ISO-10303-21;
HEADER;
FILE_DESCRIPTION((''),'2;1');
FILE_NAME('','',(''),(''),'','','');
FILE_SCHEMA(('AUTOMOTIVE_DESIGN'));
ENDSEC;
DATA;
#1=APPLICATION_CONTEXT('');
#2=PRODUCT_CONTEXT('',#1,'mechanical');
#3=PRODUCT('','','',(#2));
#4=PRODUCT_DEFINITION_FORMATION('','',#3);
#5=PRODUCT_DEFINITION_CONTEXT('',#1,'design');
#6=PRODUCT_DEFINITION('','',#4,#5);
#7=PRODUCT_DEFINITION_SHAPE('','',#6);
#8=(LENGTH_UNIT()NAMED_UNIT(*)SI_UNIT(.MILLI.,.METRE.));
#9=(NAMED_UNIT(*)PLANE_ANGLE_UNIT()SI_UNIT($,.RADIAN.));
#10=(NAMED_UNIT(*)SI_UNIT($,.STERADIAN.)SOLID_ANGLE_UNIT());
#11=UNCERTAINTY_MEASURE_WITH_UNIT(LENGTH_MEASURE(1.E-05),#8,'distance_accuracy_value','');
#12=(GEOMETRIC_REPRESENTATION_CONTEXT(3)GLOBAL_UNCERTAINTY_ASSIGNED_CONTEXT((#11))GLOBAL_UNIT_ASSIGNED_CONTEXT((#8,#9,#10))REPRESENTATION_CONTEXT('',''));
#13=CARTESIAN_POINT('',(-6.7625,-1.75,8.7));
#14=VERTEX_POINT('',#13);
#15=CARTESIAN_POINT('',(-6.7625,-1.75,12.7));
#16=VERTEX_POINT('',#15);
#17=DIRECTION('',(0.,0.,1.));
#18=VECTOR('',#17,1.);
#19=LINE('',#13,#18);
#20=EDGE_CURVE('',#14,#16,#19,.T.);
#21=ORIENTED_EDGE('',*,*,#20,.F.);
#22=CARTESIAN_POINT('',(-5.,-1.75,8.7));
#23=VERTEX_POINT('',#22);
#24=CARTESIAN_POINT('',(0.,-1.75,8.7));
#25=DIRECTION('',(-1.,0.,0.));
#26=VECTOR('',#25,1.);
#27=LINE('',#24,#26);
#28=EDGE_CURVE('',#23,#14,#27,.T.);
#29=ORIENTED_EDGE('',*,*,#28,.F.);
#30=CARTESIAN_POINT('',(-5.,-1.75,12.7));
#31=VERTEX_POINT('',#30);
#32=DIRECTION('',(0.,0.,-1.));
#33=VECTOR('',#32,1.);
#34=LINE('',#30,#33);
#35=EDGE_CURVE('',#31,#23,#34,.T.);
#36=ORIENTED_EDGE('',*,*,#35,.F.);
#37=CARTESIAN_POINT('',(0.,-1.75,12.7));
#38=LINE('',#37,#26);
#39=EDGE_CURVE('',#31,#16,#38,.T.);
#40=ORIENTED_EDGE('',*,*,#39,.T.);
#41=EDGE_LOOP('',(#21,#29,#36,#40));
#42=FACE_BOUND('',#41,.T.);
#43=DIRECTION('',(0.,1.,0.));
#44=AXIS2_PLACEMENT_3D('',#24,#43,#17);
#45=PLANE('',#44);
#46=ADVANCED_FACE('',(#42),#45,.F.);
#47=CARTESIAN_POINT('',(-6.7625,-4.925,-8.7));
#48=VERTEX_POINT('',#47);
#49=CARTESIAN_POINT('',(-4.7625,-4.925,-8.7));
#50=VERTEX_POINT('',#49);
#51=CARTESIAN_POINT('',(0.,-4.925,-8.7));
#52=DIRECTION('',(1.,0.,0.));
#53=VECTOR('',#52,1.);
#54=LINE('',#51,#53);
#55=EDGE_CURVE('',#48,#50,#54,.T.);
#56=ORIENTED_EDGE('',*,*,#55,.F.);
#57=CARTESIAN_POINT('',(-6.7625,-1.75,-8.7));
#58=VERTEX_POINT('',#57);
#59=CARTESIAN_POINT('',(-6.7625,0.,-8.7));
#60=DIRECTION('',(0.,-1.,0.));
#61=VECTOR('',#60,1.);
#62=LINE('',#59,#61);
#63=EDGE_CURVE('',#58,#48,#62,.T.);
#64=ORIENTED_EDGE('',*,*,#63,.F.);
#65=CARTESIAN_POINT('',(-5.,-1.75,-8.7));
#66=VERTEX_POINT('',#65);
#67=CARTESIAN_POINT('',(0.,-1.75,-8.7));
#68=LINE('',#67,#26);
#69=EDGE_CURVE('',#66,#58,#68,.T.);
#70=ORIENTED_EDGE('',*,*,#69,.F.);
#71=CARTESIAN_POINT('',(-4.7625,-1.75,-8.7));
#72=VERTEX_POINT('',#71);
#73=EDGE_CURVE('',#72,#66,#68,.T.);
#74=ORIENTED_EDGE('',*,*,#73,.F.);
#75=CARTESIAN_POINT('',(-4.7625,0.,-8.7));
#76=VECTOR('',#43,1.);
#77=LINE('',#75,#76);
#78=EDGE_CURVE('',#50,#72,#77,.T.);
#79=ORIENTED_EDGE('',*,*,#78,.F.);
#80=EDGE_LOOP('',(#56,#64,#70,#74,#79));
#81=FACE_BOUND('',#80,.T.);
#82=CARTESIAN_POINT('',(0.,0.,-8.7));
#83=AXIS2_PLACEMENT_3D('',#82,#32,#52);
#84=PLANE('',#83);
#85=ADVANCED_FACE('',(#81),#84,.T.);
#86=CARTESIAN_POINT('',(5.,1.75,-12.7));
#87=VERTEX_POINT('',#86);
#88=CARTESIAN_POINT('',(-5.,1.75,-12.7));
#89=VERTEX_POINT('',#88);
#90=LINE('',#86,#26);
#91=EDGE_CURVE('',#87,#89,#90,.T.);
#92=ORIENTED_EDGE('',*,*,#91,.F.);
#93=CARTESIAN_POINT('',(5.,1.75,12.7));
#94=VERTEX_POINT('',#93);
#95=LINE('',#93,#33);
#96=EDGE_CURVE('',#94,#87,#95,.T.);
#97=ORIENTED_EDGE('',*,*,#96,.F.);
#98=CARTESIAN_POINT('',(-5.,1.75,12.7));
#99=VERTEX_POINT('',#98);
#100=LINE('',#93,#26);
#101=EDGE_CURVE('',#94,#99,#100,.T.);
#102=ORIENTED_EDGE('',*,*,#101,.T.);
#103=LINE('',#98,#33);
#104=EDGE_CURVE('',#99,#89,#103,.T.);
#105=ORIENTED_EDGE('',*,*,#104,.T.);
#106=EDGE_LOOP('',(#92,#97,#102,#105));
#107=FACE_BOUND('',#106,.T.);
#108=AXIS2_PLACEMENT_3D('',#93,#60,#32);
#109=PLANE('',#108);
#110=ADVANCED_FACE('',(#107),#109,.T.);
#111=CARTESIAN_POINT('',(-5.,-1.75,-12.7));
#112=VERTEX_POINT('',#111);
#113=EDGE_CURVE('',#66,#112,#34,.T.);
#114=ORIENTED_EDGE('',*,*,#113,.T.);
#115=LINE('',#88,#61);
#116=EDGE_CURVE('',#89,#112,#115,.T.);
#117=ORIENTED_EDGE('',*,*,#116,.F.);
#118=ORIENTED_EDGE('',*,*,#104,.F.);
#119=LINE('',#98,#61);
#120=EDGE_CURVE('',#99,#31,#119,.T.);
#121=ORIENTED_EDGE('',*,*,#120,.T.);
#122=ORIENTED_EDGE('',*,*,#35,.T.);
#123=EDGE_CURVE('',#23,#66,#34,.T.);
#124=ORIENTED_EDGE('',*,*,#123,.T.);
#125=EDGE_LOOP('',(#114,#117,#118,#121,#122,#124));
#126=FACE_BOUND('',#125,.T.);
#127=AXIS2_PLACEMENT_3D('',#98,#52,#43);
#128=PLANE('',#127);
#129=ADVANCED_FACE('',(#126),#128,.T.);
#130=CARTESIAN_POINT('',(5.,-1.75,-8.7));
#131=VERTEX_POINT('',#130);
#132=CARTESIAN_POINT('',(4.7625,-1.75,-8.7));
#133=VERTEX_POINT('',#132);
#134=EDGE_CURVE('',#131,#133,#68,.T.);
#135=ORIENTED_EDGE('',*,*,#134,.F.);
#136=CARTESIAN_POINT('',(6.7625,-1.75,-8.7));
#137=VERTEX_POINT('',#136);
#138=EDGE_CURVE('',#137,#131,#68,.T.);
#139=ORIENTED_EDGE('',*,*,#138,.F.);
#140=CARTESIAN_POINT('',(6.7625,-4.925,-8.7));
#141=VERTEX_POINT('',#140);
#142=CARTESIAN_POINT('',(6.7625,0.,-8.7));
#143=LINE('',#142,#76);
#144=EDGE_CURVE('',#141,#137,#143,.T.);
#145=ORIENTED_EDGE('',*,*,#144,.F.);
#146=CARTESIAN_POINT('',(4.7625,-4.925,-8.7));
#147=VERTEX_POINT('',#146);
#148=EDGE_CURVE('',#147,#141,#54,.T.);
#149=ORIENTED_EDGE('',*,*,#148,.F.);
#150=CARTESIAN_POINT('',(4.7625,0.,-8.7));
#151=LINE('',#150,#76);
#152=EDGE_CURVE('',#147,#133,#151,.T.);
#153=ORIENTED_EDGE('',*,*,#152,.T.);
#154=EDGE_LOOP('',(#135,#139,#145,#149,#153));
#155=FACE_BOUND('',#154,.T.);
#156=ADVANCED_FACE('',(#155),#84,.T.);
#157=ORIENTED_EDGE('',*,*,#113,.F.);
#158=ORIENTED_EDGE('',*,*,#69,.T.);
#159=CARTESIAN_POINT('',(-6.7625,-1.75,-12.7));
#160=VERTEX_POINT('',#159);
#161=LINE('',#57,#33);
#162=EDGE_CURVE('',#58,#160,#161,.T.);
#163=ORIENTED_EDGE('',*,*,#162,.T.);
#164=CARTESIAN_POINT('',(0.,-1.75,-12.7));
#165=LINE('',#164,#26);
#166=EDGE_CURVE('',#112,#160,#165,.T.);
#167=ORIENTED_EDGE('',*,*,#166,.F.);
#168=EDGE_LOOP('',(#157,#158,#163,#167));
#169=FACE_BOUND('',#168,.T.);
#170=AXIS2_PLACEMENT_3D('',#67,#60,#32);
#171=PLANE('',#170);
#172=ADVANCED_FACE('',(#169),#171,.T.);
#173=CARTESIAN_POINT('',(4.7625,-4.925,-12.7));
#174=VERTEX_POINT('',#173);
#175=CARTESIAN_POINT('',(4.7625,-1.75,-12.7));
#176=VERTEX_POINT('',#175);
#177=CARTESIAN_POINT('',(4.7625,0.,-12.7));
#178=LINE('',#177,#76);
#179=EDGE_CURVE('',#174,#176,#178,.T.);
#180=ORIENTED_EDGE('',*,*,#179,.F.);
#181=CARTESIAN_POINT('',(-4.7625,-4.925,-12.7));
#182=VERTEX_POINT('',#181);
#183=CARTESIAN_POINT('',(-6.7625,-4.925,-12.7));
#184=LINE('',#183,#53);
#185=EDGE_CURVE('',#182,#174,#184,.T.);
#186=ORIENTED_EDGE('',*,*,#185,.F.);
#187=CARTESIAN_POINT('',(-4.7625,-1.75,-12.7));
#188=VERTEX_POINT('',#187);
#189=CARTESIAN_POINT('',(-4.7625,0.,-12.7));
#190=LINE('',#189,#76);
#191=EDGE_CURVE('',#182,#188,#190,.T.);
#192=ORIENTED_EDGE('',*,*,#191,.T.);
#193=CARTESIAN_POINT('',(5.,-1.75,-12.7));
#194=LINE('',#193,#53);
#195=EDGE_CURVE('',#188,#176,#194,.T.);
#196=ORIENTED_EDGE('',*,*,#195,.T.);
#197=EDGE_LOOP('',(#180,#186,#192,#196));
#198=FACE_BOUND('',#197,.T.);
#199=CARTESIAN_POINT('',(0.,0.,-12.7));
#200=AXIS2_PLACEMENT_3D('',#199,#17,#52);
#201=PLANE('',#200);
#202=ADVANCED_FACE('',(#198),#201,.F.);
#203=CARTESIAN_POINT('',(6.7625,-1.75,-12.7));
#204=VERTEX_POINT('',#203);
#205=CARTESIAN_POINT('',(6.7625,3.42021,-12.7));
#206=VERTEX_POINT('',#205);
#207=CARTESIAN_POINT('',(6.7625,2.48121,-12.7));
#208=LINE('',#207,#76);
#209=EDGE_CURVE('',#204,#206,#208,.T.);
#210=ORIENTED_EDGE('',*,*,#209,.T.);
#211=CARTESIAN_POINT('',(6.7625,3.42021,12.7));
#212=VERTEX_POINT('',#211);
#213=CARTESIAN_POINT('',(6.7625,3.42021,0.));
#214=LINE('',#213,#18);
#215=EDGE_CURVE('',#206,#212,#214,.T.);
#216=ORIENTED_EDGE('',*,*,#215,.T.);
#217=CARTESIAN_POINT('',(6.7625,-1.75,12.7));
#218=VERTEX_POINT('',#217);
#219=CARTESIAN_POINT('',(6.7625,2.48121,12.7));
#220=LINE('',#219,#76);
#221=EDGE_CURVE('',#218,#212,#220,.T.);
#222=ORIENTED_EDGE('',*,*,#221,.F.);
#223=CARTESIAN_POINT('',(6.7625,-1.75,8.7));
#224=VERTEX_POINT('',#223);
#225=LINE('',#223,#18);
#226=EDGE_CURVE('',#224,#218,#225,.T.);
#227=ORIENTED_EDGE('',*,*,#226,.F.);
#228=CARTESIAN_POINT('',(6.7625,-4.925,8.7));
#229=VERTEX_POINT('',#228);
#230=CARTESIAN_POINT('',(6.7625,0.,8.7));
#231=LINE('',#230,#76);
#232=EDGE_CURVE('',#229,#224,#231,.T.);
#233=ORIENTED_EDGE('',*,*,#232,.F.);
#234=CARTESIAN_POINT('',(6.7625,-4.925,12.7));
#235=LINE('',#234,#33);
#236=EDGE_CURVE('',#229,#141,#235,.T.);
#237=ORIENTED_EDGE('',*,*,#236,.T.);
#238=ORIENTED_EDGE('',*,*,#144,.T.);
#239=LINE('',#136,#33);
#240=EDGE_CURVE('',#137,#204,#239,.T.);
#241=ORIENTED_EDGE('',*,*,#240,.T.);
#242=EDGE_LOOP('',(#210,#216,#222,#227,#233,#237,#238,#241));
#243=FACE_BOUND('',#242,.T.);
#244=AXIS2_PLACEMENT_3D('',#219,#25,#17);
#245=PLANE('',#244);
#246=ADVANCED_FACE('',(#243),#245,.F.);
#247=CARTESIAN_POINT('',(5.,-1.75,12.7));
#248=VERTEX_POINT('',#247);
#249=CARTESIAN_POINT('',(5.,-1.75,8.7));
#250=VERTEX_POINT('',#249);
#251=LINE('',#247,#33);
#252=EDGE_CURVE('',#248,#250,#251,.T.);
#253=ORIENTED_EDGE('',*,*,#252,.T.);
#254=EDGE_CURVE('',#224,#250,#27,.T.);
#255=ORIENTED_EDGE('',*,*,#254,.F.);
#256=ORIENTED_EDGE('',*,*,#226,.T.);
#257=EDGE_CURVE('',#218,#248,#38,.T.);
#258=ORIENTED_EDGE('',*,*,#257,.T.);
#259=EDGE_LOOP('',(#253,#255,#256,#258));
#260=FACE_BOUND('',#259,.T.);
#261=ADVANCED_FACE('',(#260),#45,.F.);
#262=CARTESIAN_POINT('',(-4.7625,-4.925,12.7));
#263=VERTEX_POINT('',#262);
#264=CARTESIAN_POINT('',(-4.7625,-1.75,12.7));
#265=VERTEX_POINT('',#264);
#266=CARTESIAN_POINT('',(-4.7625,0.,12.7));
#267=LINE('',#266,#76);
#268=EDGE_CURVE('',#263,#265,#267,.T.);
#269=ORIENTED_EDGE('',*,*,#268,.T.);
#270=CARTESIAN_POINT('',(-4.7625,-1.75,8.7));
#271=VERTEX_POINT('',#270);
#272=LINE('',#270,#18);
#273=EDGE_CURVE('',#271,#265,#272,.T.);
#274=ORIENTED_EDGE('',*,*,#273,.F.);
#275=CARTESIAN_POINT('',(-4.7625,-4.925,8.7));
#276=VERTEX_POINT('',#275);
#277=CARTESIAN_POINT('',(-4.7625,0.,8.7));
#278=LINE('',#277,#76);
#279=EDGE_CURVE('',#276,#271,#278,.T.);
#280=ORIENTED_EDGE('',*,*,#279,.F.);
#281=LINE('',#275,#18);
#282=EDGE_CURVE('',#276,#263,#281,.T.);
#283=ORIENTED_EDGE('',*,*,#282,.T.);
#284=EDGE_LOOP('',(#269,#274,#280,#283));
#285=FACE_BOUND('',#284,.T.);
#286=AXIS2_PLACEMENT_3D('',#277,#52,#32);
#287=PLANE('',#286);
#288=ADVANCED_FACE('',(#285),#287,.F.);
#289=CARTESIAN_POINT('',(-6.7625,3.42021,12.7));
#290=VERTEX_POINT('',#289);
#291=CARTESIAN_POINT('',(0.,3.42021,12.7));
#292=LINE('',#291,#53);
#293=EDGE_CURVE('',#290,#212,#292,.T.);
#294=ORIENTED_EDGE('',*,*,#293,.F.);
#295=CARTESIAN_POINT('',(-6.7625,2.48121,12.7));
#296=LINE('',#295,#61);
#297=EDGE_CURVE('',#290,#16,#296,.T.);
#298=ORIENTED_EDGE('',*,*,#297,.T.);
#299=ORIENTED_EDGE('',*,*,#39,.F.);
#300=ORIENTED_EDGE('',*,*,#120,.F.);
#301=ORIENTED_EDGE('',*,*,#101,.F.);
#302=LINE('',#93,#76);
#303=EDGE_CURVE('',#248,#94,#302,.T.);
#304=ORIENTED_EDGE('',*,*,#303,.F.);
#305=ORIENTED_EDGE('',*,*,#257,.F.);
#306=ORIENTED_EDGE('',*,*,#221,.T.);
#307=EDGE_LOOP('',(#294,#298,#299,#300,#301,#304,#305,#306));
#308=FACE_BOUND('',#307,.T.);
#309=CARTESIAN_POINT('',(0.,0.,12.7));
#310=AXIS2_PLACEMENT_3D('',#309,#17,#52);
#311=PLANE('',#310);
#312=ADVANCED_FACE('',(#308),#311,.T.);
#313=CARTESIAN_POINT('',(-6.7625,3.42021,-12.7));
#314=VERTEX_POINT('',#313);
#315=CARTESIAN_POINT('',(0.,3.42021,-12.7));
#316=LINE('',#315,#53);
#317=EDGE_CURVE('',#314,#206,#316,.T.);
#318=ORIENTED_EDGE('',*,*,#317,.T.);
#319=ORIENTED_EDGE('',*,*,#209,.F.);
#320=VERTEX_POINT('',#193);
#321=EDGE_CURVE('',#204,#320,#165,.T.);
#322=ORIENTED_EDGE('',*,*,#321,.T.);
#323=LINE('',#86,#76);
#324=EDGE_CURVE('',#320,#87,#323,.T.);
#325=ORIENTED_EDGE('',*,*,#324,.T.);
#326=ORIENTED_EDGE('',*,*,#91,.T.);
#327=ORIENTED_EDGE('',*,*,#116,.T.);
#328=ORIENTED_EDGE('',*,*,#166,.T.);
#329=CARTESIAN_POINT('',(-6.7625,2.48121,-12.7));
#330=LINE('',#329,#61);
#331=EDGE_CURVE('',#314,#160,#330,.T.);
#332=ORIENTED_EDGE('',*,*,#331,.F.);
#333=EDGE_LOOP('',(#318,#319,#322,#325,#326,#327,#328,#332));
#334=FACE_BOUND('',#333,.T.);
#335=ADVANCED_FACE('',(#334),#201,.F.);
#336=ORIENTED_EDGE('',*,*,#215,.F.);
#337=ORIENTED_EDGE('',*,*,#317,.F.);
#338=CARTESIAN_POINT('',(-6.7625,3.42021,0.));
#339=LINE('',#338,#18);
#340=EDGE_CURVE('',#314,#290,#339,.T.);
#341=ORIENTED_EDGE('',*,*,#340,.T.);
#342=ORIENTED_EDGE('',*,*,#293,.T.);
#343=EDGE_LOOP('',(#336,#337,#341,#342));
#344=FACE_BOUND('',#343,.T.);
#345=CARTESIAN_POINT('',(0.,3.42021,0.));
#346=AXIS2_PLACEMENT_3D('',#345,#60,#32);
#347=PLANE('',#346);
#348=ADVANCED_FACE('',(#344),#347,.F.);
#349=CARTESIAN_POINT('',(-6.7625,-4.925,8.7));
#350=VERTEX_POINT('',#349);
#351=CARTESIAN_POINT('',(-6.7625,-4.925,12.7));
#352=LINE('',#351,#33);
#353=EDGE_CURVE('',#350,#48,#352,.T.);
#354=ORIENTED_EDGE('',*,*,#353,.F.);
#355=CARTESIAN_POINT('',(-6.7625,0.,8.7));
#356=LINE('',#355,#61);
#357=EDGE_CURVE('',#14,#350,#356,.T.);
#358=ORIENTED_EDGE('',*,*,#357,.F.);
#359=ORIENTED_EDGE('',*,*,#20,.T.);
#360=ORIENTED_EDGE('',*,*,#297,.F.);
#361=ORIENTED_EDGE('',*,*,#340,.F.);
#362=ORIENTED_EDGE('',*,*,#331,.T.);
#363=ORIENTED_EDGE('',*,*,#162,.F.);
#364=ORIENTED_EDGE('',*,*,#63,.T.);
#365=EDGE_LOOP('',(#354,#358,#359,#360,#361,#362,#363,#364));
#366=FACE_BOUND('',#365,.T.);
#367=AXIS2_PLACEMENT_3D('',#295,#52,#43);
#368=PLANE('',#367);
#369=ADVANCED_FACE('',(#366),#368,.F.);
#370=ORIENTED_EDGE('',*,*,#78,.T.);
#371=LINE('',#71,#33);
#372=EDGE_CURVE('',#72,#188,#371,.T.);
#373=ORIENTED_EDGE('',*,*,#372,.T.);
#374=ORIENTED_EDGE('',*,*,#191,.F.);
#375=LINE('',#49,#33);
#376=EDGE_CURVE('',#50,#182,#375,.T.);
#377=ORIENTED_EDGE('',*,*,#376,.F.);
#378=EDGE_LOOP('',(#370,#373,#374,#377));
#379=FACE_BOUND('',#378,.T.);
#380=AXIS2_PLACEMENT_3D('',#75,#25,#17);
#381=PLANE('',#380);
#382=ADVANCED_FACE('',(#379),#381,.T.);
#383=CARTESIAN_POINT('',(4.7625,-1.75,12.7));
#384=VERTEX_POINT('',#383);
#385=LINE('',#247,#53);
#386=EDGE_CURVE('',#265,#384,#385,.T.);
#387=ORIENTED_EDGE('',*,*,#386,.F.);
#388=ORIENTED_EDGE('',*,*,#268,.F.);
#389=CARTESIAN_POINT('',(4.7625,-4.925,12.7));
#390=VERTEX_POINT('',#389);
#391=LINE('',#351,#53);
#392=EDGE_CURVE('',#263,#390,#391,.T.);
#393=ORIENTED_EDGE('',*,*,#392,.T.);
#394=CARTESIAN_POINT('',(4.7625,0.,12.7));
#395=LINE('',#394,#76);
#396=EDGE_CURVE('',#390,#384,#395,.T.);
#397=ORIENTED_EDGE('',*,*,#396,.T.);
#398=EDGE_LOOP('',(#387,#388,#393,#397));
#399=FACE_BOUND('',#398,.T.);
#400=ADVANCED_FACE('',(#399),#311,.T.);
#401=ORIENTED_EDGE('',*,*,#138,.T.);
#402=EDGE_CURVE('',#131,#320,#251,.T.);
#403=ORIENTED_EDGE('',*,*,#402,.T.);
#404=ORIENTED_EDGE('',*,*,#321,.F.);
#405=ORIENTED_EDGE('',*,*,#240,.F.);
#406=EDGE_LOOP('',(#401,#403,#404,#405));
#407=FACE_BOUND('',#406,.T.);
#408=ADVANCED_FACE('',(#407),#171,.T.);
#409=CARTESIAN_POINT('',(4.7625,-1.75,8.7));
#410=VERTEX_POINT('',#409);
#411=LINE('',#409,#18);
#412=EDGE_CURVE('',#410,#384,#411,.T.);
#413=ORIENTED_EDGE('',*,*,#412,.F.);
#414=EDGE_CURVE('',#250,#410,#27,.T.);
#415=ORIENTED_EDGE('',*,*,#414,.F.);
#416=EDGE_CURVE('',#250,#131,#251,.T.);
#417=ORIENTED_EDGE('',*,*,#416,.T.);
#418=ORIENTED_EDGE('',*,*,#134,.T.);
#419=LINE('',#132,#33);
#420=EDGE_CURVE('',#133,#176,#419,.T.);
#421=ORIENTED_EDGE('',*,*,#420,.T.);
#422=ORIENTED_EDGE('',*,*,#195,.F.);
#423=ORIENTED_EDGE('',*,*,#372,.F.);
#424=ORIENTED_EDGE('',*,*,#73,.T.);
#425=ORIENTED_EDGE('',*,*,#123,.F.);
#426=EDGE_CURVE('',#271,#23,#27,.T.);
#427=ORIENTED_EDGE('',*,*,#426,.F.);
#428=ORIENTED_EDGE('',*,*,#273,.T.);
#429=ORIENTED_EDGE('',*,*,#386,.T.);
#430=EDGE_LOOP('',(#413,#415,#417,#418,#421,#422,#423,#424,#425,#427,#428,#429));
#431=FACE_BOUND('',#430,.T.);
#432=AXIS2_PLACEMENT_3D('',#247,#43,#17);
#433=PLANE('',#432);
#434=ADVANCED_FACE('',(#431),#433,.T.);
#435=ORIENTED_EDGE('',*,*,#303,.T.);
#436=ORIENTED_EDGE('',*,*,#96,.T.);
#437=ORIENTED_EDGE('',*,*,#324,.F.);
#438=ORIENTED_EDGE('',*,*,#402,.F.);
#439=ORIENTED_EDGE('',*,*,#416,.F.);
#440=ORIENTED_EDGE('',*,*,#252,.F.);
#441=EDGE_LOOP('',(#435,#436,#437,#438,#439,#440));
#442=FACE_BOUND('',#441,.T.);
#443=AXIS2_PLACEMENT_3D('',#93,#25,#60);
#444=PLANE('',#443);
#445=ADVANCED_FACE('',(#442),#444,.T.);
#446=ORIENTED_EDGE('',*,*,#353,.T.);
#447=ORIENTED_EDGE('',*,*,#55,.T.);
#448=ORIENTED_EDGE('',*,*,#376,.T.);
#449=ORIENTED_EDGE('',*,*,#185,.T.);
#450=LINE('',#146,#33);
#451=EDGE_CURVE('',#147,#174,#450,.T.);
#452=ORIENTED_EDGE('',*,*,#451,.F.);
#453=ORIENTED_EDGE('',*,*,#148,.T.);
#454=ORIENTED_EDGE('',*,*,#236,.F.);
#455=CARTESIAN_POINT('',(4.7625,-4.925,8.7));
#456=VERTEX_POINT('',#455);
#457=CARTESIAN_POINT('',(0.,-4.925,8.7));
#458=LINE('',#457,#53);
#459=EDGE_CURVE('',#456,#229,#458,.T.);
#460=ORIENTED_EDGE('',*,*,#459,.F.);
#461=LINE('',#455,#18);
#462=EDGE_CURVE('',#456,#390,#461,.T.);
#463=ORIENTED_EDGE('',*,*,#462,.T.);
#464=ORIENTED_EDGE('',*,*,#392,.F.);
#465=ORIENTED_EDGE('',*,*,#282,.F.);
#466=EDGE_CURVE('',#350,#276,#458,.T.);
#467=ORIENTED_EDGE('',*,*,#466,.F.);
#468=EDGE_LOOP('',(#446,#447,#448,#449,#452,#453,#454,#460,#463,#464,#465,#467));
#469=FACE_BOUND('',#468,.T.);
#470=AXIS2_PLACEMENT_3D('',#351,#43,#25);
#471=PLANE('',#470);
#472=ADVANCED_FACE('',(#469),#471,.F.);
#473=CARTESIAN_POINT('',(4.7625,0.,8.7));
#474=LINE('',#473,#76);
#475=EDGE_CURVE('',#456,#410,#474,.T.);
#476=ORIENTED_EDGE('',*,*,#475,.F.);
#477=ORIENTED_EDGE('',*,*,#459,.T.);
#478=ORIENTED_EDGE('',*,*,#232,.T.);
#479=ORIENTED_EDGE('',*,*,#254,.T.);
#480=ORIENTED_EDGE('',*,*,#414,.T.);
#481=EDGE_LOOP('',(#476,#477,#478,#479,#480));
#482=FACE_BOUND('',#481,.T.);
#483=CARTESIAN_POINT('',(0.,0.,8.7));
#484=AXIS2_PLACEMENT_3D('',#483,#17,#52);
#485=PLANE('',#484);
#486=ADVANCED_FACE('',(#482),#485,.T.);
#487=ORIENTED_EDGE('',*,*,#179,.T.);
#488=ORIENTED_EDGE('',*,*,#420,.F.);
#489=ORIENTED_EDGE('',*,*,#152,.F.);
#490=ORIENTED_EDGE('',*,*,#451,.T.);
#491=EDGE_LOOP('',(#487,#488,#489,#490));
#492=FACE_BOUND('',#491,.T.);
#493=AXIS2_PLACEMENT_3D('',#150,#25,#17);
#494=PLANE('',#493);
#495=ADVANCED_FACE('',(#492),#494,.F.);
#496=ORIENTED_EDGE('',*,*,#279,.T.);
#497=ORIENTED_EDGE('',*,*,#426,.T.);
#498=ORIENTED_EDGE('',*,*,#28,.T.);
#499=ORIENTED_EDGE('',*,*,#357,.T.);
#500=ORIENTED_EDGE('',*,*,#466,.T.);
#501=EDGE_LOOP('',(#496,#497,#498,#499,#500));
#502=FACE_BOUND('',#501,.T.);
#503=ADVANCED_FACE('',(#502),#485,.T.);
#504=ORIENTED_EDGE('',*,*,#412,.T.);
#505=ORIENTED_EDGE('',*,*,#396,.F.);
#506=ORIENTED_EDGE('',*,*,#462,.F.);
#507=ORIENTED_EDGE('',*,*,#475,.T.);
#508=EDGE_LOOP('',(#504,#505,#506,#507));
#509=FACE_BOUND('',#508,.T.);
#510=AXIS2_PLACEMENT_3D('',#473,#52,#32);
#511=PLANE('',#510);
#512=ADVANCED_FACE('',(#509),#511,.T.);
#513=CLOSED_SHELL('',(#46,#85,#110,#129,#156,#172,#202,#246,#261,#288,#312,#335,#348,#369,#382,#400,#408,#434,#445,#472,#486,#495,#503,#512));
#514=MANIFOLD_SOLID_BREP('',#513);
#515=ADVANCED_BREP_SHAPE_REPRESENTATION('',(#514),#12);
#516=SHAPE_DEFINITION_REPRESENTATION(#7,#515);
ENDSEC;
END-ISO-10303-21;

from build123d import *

# Parameters (mm, degrees)
SKETCH1_W           = 13.525
SKETCH1_H           = 7.40621
SKETCH1_W_2         = 10
SKETCH1_H_2         = 3.5
BOSS_EXTRUDE1_DEPTH = 12.7
SKETCH2_W           = 2
SKETCH2_H           = 3.175
CUT_EXTRUDE2_DEPTH  = 4
SKETCH2_4_W         = 13.525
SKETCH2_4_H         = 0.939
BOSS_EXTRUDE2_DEPTH = 12.7


with BuildPart() as part:
    # Sketch1 → Boss-Extrude1 (new, symmetric)
    with BuildSketch(Plane.XY):
        with Locations((0, -1.221895)):
            Rectangle(SKETCH1_W, SKETCH1_H)
        Rectangle(SKETCH1_W_2, SKETCH1_H_2, mode=Mode.SUBTRACT)
    extrude(amount=BOSS_EXTRUDE1_DEPTH, both=True)

    # Sketch2 → Cut-Extrude2 (cut)
    with BuildSketch(Plane.XY.offset(12.7)):
        with Locations((-5.7625, -3.3375)):
            Rectangle(SKETCH2_W, SKETCH2_H)
        with Locations((5.7625, -3.3375)):
            Rectangle(SKETCH2_W, SKETCH2_H)
    cut_extrude2 = extrude(amount=-CUT_EXTRUDE2_DEPTH, mode=Mode.SUBTRACT)

    # Sketch2<4> → Boss-Extrude2 (add)
    with BuildSketch(Plane.XY.offset(12.7)):
        with Locations((0, 2.95071)):
            Rectangle(SKETCH2_4_W, SKETCH2_4_H)
    boss_extrude2 = extrude(amount=-BOSS_EXTRUDE2_DEPTH)

    # Mirror1: Cut-Extrude2, Boss-Extrude2 across plane
    add(cut_extrude2.mirror(Plane.XY), mode=Mode.SUBTRACT)
    add(boss_extrude2.mirror(Plane.XY))


solid = part.part
